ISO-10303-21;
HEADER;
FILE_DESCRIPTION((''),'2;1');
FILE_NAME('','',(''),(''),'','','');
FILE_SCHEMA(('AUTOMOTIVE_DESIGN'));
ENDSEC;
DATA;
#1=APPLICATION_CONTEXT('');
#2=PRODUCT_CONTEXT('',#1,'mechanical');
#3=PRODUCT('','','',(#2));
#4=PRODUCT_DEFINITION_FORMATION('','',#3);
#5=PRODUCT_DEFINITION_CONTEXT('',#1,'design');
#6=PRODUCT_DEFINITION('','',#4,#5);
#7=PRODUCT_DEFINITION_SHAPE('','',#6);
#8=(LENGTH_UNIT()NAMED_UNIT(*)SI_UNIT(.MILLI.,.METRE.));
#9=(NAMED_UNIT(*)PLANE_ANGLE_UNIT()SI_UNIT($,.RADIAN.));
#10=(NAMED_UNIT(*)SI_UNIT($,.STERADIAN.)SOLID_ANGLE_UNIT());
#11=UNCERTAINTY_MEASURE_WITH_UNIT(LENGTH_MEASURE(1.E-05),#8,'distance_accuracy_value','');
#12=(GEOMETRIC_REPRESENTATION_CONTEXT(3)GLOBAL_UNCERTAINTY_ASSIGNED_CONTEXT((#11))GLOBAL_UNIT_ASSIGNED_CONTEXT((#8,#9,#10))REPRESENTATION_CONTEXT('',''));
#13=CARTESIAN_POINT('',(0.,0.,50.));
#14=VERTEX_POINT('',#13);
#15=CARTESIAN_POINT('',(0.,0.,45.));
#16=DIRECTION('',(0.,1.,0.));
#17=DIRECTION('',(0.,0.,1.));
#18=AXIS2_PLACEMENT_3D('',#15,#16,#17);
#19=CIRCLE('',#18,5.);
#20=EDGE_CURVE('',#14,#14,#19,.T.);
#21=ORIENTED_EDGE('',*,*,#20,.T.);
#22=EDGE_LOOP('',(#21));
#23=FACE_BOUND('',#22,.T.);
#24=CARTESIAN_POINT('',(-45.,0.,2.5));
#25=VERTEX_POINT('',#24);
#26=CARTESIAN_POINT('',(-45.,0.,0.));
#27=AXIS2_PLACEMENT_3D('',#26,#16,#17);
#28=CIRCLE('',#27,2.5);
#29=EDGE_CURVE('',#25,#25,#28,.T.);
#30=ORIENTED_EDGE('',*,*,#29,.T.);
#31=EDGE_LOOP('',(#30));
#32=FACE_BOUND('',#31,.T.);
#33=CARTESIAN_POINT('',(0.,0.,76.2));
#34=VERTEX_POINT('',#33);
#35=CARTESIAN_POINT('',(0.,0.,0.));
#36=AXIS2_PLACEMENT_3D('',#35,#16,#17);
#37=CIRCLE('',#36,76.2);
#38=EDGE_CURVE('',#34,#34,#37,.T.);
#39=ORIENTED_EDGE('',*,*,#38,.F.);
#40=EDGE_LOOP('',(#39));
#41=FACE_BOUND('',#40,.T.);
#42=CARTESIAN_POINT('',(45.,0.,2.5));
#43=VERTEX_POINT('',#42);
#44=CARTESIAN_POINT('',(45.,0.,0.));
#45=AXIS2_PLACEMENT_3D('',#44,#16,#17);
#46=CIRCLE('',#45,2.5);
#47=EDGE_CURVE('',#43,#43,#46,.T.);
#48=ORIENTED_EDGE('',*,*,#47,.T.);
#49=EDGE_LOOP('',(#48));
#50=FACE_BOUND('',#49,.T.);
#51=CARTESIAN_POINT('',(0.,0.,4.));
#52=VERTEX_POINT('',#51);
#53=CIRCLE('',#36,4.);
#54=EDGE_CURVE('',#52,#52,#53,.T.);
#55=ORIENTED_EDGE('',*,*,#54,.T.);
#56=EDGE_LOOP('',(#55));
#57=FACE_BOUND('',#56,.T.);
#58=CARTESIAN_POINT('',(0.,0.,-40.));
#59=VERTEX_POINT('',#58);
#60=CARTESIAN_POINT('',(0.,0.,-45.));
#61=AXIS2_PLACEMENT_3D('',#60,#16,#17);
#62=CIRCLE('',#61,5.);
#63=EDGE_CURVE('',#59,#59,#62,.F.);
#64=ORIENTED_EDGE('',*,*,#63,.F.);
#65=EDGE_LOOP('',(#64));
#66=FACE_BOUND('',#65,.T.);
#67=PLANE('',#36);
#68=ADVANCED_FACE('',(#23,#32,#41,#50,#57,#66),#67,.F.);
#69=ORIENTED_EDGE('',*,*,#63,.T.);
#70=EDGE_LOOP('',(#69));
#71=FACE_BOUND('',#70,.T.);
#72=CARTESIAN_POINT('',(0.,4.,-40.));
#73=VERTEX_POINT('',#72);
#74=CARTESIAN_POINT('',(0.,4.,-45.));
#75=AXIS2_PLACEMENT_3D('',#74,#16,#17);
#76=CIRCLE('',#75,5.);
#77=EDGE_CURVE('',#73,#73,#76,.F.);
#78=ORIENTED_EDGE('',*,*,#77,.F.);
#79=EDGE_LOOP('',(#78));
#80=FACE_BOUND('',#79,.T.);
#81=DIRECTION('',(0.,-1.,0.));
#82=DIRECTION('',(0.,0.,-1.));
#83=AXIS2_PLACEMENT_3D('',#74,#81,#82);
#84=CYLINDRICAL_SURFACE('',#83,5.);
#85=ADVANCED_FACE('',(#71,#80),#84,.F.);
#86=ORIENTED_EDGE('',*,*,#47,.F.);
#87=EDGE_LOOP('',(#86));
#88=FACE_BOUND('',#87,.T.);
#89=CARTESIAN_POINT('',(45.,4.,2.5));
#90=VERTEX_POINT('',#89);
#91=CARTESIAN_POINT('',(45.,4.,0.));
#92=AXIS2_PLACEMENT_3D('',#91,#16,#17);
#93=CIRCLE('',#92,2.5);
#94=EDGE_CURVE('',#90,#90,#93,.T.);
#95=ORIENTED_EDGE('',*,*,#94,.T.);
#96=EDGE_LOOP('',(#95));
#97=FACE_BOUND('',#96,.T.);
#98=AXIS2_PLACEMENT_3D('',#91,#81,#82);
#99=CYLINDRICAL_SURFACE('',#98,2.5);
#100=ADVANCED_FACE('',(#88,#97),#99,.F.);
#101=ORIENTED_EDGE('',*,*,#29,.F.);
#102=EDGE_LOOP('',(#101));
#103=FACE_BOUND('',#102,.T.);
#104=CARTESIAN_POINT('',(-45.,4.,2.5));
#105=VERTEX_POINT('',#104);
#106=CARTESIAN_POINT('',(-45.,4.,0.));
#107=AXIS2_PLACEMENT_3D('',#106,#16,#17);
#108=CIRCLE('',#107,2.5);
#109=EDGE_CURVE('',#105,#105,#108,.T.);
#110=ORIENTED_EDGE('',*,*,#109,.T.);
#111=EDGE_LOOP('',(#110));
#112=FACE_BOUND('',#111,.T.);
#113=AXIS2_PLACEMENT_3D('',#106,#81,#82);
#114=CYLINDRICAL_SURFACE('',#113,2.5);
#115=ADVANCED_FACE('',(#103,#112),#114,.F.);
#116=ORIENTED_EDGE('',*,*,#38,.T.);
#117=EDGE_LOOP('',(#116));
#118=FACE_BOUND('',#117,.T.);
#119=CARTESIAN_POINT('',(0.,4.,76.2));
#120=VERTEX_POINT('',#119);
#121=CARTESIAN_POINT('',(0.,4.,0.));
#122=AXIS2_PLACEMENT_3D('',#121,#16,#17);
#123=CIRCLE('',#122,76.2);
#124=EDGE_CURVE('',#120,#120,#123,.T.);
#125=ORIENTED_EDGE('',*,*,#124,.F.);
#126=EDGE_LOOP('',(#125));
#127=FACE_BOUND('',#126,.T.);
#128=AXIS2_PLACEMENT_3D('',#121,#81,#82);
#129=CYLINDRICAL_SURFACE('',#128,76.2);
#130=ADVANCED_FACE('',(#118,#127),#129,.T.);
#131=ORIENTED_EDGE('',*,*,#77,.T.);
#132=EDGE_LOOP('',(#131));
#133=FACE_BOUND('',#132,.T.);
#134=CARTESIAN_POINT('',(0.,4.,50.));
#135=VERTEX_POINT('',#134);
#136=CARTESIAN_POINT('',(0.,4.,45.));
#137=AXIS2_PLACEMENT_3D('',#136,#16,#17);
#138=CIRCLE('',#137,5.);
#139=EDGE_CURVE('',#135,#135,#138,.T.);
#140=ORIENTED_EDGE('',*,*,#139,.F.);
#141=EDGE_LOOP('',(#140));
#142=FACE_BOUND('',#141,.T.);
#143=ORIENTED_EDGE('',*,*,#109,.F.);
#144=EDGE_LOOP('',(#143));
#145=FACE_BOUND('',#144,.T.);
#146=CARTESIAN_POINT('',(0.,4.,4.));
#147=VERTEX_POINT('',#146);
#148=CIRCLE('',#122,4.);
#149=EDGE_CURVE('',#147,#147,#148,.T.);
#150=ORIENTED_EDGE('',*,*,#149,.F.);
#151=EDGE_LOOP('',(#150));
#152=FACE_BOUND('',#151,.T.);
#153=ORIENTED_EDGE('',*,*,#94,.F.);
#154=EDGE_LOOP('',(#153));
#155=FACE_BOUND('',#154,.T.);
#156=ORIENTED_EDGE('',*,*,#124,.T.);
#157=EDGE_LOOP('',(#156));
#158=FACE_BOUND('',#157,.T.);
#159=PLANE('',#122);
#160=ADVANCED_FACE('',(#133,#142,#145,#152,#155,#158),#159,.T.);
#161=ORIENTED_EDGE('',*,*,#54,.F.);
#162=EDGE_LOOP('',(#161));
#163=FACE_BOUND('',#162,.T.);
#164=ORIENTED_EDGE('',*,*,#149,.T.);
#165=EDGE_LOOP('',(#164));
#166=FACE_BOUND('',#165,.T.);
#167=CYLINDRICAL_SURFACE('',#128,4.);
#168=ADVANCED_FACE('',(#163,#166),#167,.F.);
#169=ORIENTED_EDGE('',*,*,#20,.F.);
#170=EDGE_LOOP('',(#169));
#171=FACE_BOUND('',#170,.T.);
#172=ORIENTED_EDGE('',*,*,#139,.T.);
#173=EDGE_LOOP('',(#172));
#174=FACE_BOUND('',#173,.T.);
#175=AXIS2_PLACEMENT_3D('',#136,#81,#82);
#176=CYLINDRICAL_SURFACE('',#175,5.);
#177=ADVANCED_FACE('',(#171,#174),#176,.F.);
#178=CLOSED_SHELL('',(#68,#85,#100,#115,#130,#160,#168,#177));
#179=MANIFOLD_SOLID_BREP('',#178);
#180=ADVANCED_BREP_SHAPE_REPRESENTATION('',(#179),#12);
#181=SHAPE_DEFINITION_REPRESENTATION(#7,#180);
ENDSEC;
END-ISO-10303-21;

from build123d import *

# Parameters (mm, degrees)
SKETCH1_R           = 76.2
SKETCH1_R_2         = 2.5
SKETCH1_R_3         = 4
SKETCH1_R_4         = 5
BOSS_EXTRUDE1_DEPTH = 4


with BuildPart() as part:
    # Sketch1 → Boss-Extrude1 (new body)
    with BuildSketch(Plane(origin=(0, 0, 0), x_dir=(1, 0, 0), z_dir=(0, 1, 0))):
        with Locations(Location((0, 0, 0), (0, 0, 270))):
            Circle(SKETCH1_R)
        with Locations(Location((-45, 0, 0), (0, 0, 270))):
            Circle(SKETCH1_R_2, mode=Mode.SUBTRACT)
        with Locations(Location((45, 0, 0), (0, 0, 270))):
            Circle(SKETCH1_R_2, mode=Mode.SUBTRACT)
        with Locations(Location((0, 0, 0), (0, 0, 270))):
            Circle(SKETCH1_R_3, mode=Mode.SUBTRACT)
        with Locations(Location((0, -45, 0), (0, 0, 270))):
            Circle(SKETCH1_R_4, mode=Mode.SUBTRACT)
        with Locations(Location((0, 45, 0), (0, 0, 270))):
            Circle(SKETCH1_R_4, mode=Mode.SUBTRACT)
    extrude(amount=BOSS_EXTRUDE1_DEPTH)


solid = part.part
